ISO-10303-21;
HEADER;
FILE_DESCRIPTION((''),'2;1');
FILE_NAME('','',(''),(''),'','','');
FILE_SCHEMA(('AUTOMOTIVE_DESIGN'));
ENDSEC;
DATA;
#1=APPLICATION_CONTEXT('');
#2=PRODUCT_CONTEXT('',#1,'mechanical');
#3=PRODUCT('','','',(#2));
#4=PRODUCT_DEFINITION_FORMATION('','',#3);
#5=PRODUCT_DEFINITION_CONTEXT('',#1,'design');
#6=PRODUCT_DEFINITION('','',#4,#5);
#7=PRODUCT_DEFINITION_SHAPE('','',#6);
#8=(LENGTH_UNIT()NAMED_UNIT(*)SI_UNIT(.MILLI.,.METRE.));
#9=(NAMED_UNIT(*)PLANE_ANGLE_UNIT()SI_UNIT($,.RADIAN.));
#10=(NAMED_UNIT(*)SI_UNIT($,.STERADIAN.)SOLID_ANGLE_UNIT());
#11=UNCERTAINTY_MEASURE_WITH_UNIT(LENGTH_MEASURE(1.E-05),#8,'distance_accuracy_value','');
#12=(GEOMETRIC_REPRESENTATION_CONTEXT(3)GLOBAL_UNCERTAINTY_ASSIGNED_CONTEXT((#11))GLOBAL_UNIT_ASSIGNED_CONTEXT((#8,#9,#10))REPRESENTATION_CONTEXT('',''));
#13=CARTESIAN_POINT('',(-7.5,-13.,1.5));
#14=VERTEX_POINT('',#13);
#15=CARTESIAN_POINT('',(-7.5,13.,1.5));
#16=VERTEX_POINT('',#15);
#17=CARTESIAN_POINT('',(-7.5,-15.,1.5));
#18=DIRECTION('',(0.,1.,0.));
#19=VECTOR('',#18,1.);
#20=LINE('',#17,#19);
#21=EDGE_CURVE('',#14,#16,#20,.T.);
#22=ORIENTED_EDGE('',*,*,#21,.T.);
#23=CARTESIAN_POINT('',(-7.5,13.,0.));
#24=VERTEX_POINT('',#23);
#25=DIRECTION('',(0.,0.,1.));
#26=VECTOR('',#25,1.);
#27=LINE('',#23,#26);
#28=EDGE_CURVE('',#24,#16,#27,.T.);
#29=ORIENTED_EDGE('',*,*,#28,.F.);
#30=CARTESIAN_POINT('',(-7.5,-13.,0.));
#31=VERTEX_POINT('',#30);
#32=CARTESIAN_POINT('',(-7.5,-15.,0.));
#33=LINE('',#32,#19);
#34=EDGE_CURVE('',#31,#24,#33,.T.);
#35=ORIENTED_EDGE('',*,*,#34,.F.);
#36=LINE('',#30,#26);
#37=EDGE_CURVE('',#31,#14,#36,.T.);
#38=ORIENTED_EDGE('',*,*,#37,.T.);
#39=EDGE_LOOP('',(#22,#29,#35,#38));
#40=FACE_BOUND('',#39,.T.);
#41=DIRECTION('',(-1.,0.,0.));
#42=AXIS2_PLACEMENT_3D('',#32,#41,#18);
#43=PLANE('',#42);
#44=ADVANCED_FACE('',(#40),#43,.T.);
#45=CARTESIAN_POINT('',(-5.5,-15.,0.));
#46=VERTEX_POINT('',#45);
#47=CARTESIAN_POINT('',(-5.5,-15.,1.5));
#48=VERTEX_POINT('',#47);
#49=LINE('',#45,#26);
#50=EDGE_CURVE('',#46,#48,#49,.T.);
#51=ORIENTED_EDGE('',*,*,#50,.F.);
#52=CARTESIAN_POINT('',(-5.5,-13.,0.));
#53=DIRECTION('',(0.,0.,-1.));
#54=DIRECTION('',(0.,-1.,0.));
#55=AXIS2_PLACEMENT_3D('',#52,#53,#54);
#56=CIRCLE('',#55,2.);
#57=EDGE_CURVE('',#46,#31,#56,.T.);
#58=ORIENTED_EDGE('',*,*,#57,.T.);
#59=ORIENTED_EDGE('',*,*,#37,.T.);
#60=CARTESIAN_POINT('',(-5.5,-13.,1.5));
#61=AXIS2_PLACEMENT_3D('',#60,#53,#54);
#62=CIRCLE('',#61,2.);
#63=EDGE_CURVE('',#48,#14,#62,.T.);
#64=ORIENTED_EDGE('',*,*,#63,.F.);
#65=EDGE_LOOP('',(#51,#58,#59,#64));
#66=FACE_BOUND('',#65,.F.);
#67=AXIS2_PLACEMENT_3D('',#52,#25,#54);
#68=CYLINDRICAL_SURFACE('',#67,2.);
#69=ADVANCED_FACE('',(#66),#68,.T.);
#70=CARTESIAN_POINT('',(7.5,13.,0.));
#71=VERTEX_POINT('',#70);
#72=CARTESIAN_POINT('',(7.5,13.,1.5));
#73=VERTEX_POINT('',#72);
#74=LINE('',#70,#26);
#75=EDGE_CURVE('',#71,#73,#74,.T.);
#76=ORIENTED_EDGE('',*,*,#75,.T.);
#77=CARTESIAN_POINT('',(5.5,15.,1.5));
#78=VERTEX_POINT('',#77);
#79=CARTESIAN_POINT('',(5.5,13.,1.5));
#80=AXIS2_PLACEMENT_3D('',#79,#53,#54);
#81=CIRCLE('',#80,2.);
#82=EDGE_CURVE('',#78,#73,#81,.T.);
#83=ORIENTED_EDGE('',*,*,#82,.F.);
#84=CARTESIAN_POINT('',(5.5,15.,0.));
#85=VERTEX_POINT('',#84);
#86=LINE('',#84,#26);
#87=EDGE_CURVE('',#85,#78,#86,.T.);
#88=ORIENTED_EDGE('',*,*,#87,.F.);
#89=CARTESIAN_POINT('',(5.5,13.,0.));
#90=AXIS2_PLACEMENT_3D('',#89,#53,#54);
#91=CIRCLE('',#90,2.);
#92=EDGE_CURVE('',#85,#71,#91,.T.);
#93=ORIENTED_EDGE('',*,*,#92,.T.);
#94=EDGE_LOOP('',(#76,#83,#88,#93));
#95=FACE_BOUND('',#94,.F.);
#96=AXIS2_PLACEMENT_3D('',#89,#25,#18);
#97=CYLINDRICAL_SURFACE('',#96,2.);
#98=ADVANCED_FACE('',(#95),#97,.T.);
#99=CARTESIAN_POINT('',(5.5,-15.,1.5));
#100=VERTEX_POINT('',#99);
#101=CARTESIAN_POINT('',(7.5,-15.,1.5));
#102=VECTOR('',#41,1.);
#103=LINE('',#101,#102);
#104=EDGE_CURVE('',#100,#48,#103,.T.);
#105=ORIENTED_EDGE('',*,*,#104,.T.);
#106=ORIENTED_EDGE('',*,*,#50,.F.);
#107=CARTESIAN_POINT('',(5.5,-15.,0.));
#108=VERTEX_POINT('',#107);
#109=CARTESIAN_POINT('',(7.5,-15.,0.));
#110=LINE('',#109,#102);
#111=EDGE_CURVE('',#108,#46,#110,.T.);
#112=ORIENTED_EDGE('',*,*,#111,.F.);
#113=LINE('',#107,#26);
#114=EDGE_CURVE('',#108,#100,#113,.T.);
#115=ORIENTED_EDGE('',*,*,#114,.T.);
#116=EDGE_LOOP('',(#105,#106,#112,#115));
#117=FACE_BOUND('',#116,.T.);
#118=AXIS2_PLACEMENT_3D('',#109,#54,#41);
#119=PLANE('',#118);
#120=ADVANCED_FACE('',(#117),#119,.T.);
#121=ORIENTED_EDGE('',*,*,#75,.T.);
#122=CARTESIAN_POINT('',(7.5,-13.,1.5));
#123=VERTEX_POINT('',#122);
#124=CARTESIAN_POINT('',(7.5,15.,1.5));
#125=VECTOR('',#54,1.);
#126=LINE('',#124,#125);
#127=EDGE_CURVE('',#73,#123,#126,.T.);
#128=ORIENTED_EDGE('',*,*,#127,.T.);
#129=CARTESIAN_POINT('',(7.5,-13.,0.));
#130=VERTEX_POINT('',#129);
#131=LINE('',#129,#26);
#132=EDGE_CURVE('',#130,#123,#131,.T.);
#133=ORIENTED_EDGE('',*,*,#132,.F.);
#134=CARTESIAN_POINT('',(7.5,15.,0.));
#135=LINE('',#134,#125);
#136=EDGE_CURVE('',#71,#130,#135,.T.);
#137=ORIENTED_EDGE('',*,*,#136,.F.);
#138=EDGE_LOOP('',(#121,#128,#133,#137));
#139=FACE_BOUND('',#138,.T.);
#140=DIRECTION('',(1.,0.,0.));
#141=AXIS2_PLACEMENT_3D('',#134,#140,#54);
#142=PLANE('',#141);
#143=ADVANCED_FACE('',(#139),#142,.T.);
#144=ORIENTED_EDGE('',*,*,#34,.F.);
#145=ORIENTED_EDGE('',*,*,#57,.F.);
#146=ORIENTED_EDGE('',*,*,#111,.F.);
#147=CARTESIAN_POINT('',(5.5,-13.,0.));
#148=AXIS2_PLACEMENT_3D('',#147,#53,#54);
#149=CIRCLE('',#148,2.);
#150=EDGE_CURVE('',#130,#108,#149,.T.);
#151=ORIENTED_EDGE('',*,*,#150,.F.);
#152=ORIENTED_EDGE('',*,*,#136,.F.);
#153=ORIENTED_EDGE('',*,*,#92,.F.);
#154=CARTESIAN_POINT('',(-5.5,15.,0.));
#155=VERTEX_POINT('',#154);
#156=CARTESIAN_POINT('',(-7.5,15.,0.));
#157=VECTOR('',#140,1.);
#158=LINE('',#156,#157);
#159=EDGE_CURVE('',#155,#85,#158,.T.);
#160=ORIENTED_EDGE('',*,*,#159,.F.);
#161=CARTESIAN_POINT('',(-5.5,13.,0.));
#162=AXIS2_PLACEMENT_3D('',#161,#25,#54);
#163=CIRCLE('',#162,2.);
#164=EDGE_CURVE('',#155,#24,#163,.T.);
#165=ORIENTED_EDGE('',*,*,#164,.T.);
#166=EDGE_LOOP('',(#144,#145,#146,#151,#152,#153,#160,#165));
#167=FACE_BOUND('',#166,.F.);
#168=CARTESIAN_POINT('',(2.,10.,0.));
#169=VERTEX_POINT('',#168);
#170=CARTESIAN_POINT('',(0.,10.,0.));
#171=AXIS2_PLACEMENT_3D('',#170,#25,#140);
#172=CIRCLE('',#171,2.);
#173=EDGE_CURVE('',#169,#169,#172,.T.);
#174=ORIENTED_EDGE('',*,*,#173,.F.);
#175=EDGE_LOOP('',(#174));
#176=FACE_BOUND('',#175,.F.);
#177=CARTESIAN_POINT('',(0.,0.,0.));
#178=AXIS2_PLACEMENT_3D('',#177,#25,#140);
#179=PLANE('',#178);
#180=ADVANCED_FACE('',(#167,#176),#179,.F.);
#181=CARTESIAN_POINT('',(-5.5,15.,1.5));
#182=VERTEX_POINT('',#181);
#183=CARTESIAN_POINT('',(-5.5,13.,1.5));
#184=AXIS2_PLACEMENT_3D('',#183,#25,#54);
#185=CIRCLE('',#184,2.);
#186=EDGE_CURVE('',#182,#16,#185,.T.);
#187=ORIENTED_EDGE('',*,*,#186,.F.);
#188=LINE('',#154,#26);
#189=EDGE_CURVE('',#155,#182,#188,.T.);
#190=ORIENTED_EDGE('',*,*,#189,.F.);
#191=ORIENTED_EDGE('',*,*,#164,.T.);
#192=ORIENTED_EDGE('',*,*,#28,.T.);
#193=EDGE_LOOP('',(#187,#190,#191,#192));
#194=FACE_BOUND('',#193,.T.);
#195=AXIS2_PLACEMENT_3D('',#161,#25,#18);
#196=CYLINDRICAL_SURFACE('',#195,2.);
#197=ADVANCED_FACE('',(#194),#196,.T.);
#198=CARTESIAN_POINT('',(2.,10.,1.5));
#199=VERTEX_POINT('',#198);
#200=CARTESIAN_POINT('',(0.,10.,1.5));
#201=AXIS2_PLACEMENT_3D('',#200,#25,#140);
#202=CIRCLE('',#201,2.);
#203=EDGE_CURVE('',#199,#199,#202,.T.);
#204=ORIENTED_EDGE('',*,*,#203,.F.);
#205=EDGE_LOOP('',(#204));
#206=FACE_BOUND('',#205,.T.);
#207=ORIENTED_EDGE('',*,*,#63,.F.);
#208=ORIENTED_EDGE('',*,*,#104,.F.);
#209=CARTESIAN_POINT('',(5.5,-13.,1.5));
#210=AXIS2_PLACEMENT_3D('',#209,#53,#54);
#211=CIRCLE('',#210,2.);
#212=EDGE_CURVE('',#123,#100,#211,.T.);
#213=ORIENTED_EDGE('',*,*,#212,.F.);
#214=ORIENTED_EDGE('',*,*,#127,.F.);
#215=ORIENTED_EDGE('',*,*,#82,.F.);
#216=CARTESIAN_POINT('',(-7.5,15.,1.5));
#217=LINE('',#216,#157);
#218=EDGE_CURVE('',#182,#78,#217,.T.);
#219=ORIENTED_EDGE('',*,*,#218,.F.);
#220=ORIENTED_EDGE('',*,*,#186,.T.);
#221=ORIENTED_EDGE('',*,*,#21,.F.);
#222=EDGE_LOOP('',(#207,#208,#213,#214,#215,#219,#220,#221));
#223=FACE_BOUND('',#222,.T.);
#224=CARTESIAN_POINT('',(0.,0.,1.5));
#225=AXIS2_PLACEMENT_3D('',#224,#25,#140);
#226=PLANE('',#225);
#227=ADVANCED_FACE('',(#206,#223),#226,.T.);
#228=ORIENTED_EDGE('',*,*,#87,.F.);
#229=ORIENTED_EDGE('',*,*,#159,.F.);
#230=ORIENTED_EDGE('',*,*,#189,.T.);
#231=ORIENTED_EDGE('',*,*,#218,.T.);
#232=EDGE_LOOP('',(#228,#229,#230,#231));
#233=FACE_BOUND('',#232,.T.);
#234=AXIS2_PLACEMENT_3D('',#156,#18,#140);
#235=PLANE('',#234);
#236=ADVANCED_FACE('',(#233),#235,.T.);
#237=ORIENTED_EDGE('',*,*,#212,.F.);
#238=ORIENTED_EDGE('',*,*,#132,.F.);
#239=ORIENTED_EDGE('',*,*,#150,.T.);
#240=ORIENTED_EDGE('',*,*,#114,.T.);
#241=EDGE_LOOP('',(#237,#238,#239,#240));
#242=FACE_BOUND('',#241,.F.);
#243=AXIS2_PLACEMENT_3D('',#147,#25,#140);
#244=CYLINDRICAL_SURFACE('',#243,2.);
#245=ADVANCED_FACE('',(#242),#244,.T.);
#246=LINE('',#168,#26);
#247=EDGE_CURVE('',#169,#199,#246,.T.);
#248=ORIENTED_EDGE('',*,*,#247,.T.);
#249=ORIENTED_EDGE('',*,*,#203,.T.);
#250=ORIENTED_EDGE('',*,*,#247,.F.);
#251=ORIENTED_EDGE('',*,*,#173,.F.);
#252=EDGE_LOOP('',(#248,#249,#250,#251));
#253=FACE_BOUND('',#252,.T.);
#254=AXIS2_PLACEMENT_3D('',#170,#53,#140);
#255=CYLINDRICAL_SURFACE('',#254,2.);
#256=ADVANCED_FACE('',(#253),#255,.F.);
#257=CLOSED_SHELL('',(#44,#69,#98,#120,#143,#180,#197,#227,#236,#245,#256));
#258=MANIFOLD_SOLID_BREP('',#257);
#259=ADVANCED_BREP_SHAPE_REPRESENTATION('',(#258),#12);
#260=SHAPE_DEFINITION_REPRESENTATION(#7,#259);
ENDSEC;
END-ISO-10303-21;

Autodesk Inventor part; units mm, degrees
ref_plane "YZ Plane" through (0, 0, 0) normal (1, 0, 0) x (0, 1, 0)
ref_plane "XZ Plane" through (0, 0, 0) normal (0, 1, 0) x (-1, 0, 0)
ref_plane "XY Plane" through (0, 0, 0) normal (0, 0, 1) x (1, 0, 0)
sketch "Sketch1" plane through (0, 0, 0) normal (0, 0, 1) x (1, 0, 0)
  line L0 (-7.5, 15) -> (7.5, 15)
  line L1 (7.5, 15) -> (7.5, -15)
  line L2 (7.5, -15) -> (-7.5, -15)
  line L3 (-7.5, -15) -> (-7.5, 15)
  circle A0 centre (0, 10) radius 2
  point P0 (0, 0)
  point P1 (-7.5, 0)
  point P2 (0, 15)
  dimension "d0" = 30
  dimension "d1" = 15
  dimension "d5" = 4
  dimension "d7" = 10
extrude "Extrusion1" add sketch "Sketch1" along normal blind 1.5
fillet "Fillet1" radius 2 4 edges at (-7.5, 15, 0.75) (7.5, 15, 0.75) (-7.5, -15, 0.75) (7.5, -15, 0.75)
properties material "Rubber"
